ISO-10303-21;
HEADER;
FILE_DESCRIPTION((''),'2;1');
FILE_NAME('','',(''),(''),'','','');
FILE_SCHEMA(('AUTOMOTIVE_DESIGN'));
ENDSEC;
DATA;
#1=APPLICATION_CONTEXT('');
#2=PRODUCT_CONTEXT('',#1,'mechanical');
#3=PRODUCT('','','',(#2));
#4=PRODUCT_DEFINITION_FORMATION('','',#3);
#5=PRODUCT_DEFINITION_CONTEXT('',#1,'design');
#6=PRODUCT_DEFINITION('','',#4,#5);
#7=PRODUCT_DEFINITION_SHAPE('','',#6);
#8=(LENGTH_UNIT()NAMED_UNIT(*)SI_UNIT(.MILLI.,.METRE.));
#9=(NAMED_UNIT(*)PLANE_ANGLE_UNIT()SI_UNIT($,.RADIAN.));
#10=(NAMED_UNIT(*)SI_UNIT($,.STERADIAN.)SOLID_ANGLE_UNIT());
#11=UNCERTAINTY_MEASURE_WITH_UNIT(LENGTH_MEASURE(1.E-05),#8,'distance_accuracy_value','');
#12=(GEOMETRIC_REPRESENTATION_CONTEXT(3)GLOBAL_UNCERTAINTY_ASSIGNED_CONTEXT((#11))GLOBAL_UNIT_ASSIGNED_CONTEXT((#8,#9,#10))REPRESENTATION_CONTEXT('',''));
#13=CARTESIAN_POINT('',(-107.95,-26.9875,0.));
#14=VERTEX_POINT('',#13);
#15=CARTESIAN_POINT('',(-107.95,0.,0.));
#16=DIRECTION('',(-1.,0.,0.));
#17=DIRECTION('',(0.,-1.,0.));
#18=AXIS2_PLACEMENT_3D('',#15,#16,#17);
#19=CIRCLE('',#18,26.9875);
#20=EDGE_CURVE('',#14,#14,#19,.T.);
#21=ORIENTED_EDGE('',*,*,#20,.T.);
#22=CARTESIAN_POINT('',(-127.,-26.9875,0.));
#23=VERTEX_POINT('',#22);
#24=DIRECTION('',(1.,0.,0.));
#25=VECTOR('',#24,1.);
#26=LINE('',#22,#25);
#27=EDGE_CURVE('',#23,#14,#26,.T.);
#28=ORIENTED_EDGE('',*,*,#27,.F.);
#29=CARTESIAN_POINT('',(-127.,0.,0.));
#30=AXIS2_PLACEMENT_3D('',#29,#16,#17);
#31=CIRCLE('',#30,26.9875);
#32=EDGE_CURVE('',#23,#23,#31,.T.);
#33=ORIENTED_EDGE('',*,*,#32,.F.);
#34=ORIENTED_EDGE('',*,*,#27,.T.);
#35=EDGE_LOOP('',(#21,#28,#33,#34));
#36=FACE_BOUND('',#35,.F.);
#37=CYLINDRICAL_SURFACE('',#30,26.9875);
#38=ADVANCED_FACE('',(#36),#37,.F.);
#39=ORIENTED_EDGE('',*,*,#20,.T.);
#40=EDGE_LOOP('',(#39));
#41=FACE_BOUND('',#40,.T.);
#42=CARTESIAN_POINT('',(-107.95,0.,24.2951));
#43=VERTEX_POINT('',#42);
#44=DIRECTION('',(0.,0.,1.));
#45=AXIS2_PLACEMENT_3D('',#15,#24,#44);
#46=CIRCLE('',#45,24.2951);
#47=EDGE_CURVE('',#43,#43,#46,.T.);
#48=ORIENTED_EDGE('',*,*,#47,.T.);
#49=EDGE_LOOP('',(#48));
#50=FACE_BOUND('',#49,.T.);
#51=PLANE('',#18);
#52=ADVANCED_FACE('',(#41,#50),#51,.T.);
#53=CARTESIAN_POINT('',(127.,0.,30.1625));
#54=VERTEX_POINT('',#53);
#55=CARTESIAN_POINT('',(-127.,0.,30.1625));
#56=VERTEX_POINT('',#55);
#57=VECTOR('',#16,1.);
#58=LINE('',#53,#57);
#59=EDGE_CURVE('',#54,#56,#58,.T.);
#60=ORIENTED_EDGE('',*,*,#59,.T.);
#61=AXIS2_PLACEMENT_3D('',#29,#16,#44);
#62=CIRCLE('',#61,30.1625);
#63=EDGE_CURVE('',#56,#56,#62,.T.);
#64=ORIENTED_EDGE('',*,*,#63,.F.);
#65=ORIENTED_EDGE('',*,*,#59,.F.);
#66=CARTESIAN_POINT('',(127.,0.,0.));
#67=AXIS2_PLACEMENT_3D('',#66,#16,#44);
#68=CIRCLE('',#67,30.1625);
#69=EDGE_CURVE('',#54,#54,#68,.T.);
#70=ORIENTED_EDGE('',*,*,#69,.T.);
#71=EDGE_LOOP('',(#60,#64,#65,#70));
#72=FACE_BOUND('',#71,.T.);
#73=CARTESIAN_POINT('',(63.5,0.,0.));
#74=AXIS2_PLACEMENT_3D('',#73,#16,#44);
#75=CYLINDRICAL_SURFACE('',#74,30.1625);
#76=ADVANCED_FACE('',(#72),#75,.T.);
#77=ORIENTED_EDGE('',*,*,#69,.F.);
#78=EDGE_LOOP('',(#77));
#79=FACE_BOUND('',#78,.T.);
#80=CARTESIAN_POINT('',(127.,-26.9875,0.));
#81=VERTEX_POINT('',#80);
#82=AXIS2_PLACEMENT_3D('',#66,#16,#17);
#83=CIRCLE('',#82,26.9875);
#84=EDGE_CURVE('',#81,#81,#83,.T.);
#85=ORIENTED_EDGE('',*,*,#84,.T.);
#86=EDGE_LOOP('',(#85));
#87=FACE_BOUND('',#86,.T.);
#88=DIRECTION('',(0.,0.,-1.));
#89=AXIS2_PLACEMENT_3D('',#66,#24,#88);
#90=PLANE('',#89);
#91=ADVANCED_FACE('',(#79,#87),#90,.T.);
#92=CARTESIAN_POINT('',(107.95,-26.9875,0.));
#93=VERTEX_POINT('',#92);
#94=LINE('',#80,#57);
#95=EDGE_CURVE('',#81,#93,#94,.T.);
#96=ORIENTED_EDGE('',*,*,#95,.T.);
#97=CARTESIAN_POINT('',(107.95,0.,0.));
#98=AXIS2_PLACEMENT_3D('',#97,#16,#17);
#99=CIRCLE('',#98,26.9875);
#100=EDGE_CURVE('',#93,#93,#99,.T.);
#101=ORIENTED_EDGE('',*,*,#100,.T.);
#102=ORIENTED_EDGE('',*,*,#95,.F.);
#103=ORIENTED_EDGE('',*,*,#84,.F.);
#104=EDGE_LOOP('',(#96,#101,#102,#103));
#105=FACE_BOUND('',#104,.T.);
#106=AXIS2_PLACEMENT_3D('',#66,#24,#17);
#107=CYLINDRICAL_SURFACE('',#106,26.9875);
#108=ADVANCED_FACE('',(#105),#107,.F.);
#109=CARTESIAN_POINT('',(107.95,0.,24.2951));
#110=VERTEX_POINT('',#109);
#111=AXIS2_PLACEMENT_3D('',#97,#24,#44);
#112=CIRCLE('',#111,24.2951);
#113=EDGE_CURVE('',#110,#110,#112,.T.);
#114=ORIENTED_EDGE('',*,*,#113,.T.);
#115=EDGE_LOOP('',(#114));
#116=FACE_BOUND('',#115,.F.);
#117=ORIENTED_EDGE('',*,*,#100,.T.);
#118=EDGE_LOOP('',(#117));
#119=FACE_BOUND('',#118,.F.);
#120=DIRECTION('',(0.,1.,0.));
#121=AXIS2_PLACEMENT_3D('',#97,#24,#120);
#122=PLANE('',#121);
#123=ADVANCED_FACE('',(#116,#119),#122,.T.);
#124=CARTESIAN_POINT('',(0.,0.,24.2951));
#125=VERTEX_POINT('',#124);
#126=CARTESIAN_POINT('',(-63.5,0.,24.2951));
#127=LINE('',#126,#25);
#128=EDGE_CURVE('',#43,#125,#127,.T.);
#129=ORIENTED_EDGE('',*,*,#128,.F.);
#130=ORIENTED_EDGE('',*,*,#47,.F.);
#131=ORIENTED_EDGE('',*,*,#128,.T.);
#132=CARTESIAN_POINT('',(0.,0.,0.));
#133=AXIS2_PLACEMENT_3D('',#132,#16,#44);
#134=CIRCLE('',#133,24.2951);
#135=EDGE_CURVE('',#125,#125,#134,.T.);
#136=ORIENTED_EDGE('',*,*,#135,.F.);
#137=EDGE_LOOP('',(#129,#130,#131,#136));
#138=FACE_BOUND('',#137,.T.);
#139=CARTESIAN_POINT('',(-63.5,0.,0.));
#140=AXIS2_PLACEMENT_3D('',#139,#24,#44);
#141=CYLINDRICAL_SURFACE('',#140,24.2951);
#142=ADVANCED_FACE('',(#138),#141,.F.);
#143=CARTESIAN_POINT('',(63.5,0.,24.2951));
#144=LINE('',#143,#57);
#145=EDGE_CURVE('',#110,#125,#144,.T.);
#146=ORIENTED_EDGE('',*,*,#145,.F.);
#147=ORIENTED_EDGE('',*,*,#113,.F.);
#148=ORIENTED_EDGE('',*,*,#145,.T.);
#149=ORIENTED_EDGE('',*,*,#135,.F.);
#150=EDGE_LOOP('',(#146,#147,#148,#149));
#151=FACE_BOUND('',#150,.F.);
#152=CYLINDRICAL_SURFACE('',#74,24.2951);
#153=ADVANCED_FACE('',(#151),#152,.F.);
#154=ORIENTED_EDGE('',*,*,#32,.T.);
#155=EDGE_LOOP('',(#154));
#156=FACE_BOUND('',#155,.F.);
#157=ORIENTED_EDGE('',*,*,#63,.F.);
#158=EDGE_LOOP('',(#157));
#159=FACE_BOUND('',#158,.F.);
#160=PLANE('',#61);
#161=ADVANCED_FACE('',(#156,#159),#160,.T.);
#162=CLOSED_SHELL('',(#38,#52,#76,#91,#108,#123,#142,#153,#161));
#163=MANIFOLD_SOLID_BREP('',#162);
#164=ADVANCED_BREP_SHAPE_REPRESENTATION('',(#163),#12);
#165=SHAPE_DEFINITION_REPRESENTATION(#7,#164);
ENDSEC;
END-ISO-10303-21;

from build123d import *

# Parameters (mm, degrees)
F0_W     = 127
F0_H     = 5.8674
F2_R     = 26.9875
F3_DEPTH = 19.05


with BuildPart() as f1:
    # F0 (on Front) → F1 (revolve)
    with BuildSketch(Plane.XZ):
        with Locations((-63.5, 27.2288)):
            Rectangle(F0_W, F0_H)
    revolve(axis=Axis((-63.5, 0, 0), (-1, 0, 0)))

    # F2 (on face) → F3 (cut)
    with BuildSketch(Plane(origin=(-127, 0, 0), x_dir=(0, -1, 0), z_dir=(-1, 0, 0))):
        Circle(F2_R)
    extrude(amount=-F3_DEPTH, mode=Mode.SUBTRACT)

    # F4: F1 across plane


with BuildPart() as f1_1:
    add(f1.part)
    add(f1.part.mirror(Plane.YZ))


solid = f1_1.part
